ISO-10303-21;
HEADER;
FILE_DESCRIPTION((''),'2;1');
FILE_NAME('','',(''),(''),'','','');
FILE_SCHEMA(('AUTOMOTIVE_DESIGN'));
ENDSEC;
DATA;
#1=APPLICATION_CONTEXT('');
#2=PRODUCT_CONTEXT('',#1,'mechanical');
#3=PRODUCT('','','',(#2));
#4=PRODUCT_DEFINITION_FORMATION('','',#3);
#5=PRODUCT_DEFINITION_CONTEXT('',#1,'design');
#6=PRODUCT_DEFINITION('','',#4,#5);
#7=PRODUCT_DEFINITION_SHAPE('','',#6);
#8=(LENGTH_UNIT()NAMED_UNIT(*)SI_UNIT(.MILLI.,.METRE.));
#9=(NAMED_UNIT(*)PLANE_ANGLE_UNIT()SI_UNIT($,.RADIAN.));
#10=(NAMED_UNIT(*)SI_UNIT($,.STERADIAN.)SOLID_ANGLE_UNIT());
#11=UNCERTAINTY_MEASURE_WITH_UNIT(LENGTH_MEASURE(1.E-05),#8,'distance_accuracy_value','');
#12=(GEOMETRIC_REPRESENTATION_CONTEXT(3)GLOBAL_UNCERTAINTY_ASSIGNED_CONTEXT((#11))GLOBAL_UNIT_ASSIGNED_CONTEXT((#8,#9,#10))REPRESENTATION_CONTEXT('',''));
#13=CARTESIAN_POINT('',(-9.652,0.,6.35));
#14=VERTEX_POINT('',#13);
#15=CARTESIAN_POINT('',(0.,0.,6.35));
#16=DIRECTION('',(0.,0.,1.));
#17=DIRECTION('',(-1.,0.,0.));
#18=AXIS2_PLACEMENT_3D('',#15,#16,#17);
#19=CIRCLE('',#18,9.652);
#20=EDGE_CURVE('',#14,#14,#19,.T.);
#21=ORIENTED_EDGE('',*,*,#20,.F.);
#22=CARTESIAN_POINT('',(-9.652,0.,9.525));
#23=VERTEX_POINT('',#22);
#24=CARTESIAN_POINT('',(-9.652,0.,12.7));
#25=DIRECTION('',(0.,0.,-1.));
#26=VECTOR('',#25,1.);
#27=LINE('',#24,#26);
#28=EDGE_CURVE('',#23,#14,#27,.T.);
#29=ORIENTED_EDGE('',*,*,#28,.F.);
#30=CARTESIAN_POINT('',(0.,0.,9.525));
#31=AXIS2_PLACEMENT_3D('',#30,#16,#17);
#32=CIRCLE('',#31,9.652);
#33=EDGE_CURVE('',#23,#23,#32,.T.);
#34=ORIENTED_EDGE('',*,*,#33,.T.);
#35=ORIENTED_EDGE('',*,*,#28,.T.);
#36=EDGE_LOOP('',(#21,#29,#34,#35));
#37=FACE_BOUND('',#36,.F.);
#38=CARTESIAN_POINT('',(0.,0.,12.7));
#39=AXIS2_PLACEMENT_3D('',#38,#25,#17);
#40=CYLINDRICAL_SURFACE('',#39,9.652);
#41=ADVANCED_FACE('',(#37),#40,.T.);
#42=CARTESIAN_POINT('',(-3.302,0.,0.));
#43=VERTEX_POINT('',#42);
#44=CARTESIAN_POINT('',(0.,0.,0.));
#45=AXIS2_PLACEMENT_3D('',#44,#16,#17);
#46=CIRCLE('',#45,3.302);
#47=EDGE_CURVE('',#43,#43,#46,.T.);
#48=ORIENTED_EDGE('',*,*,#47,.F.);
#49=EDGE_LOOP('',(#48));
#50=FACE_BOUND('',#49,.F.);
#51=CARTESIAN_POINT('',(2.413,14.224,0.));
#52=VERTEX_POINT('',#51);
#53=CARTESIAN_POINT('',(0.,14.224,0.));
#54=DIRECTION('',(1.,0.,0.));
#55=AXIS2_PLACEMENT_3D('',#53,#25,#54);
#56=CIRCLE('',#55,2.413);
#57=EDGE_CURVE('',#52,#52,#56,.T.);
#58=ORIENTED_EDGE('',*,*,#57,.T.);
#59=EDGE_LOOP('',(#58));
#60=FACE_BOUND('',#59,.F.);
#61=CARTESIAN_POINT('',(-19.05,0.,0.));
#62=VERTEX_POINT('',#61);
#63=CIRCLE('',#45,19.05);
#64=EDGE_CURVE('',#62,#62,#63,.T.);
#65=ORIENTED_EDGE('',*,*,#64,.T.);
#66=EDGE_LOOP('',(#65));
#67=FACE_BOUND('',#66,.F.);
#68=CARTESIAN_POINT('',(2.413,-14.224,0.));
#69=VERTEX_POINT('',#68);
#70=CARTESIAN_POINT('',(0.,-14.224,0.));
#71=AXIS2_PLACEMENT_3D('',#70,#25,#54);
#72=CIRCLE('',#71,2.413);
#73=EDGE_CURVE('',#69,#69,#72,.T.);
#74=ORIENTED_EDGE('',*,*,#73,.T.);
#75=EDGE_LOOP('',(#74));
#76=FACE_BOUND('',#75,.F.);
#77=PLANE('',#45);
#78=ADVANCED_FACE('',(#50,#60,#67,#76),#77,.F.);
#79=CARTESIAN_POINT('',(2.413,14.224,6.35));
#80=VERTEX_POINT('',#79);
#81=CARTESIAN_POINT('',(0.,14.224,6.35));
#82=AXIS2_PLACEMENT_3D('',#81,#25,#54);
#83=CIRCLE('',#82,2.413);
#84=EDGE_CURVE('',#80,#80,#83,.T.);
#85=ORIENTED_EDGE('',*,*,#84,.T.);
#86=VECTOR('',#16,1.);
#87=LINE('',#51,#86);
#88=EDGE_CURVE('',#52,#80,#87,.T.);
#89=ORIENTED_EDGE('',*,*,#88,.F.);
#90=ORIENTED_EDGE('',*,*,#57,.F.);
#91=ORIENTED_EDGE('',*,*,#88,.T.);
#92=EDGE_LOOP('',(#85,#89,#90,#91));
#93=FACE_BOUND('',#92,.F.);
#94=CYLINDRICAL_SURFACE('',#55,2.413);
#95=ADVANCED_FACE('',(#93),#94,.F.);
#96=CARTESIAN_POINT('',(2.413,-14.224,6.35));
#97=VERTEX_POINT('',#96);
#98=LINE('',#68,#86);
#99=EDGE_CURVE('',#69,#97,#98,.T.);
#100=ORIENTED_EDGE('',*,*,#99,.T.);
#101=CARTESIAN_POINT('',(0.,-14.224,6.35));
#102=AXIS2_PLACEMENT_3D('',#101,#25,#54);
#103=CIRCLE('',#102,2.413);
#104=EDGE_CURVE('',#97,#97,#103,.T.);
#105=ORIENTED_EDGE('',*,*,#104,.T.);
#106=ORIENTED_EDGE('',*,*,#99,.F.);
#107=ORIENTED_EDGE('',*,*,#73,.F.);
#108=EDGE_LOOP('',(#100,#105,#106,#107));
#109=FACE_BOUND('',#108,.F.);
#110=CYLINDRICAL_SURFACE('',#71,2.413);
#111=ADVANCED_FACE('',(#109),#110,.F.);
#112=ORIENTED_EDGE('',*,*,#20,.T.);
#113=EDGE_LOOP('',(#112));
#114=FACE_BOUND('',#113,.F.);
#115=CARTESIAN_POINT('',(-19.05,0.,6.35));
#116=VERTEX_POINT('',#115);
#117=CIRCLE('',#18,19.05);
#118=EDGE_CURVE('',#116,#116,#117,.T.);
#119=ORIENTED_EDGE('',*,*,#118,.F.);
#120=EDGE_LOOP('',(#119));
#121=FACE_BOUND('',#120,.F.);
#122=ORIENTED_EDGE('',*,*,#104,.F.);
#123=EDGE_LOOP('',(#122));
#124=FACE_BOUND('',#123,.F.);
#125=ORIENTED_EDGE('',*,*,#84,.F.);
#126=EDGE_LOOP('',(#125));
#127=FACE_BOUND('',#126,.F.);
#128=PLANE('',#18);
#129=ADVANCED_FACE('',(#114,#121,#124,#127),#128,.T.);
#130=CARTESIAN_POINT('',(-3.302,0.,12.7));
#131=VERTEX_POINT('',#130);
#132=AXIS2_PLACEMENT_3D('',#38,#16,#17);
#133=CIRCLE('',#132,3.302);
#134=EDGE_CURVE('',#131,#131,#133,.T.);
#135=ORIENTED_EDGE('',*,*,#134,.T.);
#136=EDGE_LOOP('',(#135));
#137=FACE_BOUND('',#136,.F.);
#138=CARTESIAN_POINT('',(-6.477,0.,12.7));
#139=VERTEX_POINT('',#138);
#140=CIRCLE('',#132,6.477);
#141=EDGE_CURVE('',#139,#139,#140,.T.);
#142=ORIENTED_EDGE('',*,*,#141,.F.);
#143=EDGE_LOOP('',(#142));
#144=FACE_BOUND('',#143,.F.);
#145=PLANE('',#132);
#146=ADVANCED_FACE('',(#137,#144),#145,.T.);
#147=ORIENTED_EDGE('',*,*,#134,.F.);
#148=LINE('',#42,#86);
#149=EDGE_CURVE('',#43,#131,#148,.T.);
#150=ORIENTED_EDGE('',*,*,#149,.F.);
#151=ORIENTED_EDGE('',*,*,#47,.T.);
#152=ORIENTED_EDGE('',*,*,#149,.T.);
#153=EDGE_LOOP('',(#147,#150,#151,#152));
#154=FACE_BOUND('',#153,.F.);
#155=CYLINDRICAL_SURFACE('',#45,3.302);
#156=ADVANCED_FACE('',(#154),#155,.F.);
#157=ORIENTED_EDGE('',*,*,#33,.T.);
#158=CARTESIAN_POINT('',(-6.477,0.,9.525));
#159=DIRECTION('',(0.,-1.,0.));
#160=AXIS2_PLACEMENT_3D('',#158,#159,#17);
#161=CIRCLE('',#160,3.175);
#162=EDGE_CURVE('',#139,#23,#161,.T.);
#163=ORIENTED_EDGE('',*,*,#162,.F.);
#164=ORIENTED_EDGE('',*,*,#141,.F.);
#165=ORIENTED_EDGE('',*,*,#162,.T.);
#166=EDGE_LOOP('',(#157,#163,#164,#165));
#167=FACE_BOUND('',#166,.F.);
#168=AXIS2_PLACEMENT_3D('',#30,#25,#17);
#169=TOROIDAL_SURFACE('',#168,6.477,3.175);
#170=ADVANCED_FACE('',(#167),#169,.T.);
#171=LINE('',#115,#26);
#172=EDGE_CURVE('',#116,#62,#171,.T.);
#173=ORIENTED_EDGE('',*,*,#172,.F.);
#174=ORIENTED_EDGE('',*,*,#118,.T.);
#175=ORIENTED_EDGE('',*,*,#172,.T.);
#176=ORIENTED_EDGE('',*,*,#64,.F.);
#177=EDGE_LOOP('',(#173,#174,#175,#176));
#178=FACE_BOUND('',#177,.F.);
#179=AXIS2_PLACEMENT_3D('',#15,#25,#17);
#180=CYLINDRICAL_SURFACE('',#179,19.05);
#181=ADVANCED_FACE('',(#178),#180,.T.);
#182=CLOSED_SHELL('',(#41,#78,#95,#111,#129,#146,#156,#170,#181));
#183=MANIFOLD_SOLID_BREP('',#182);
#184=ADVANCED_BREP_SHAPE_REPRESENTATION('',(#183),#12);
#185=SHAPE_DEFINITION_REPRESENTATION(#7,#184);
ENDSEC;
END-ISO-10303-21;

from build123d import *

# Parameters (mm, degrees)
F2_R     = 2.413
F3_DEPTH = 25.4
F4_R     = 3.175


with BuildPart() as f1:
    # F0 (on Front) → F1 (revolve)
    with BuildSketch(Plane.XZ):
        Polygon((-19.05, 0), (-3.302, 0), (-3.302, 12.7), (-9.652, 12.7), (-9.652, 6.35), (-19.05, 6.35), align=None)
    revolve(axis=Axis((0, 0, 14.768198), (0, 0, 1)))

    # F2 (on face) → F3 (cut)
    with BuildSketch(Plane(origin=(0, 0, 0), x_dir=(1, 0, 0), z_dir=(0, 0, -1))):
        with Locations((0, -14.224)):
            Circle(F2_R)
        with Locations((0, 14.224)):
            Circle(F2_R)
    extrude(amount=-F3_DEPTH, mode=Mode.SUBTRACT)

    # F4
    f4_edges = [f1.edges().sort_by_distance(p)[0] for p in [
        (9.652, 0, 12.7),
    ]]
    fillet(f4_edges, radius=F4_R)


solid = f1.part
